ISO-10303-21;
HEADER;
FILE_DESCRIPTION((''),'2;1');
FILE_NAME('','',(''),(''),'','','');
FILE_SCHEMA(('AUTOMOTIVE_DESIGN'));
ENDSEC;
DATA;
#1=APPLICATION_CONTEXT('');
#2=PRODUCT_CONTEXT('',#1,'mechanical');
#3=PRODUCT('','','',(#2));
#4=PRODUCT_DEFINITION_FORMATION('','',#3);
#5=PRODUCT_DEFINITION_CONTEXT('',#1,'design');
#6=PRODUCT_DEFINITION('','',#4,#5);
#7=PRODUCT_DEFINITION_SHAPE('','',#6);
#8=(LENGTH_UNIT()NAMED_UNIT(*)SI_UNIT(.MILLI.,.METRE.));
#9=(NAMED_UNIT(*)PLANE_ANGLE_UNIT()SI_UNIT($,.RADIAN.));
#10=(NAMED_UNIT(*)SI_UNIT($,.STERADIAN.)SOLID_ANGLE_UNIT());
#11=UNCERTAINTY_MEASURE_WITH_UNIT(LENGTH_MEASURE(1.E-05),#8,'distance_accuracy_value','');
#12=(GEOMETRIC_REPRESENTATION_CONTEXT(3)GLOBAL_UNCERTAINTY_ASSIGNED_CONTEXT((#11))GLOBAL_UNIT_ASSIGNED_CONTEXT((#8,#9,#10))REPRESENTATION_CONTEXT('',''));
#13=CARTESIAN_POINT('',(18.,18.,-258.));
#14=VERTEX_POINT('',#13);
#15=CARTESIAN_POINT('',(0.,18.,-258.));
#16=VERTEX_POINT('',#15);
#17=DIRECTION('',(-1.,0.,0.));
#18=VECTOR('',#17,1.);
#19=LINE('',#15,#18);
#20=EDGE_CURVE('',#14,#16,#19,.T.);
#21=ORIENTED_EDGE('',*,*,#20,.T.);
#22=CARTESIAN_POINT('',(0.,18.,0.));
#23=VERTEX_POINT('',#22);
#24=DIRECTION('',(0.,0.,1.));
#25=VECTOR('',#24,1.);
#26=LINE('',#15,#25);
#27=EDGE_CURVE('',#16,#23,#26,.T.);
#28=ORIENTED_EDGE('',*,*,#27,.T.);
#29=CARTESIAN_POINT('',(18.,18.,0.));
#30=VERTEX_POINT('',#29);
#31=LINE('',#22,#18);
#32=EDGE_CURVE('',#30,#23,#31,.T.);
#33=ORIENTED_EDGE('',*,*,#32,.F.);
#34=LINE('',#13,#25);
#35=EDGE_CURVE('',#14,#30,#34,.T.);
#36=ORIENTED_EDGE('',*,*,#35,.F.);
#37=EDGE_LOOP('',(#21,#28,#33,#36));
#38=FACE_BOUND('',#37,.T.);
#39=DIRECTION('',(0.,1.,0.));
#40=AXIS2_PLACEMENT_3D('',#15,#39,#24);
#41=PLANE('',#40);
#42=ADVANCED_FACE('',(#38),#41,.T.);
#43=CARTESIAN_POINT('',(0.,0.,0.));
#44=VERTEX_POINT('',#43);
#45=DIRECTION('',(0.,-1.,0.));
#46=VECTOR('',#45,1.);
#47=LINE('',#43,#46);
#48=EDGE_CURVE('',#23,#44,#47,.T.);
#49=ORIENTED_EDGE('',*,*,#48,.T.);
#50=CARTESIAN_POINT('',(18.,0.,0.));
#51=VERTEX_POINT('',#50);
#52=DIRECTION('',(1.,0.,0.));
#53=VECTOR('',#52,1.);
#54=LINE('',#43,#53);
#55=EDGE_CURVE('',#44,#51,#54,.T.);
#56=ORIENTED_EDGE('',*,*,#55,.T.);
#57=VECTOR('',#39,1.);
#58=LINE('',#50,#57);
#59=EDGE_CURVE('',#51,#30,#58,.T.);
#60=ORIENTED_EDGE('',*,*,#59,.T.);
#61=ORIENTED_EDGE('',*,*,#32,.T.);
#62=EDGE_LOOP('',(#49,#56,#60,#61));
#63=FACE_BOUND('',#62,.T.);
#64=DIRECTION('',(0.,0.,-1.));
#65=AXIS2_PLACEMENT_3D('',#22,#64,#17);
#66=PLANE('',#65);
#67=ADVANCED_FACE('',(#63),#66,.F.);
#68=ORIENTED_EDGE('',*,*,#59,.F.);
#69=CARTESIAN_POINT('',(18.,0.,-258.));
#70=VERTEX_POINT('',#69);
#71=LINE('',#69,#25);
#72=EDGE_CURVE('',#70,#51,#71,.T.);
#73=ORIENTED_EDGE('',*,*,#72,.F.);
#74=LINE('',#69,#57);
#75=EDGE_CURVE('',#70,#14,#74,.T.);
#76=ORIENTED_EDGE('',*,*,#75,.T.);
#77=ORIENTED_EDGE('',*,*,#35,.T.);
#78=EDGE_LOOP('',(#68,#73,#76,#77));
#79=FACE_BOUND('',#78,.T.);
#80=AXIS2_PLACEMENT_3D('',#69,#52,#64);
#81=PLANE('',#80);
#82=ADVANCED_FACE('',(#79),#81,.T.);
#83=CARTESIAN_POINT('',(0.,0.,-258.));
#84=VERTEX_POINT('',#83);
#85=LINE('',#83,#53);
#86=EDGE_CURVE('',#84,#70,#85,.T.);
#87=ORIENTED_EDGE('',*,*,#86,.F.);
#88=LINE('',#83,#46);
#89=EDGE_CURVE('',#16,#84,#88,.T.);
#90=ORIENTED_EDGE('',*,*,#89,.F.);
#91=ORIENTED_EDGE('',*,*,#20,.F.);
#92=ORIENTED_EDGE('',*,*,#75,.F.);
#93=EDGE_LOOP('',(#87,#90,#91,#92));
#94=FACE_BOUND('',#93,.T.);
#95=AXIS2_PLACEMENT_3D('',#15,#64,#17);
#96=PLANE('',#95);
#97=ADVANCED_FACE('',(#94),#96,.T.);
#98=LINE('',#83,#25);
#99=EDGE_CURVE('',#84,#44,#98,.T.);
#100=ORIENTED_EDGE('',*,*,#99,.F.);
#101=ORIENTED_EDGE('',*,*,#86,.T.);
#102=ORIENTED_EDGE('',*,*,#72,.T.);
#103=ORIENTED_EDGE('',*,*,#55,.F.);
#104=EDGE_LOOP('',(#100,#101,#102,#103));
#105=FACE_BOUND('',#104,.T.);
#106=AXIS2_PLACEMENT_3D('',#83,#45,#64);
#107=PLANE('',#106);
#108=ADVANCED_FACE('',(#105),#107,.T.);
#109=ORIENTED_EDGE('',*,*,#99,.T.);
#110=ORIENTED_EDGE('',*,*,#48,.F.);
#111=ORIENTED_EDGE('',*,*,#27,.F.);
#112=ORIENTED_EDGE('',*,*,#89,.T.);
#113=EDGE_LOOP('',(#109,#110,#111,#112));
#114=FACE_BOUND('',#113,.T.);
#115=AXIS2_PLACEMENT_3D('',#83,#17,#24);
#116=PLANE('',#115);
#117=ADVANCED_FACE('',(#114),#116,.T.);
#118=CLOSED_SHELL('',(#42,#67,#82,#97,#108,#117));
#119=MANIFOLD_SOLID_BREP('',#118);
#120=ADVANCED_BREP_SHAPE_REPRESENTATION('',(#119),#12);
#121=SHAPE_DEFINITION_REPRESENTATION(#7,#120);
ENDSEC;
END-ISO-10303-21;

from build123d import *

# Parameters (mm, degrees)
ESQUISSE1_W      = 18
ESQUISSE1_H      = 18
EXTRUSION1_DEPTH = 258


with BuildPart() as part:
    # Esquisse1 → Extrusion1 (new body)
    with BuildSketch(Plane.XY):
        with Locations((9, 9)):
            Rectangle(ESQUISSE1_W, ESQUISSE1_H)
    extrude(amount=-EXTRUSION1_DEPTH)


solid = part.part
